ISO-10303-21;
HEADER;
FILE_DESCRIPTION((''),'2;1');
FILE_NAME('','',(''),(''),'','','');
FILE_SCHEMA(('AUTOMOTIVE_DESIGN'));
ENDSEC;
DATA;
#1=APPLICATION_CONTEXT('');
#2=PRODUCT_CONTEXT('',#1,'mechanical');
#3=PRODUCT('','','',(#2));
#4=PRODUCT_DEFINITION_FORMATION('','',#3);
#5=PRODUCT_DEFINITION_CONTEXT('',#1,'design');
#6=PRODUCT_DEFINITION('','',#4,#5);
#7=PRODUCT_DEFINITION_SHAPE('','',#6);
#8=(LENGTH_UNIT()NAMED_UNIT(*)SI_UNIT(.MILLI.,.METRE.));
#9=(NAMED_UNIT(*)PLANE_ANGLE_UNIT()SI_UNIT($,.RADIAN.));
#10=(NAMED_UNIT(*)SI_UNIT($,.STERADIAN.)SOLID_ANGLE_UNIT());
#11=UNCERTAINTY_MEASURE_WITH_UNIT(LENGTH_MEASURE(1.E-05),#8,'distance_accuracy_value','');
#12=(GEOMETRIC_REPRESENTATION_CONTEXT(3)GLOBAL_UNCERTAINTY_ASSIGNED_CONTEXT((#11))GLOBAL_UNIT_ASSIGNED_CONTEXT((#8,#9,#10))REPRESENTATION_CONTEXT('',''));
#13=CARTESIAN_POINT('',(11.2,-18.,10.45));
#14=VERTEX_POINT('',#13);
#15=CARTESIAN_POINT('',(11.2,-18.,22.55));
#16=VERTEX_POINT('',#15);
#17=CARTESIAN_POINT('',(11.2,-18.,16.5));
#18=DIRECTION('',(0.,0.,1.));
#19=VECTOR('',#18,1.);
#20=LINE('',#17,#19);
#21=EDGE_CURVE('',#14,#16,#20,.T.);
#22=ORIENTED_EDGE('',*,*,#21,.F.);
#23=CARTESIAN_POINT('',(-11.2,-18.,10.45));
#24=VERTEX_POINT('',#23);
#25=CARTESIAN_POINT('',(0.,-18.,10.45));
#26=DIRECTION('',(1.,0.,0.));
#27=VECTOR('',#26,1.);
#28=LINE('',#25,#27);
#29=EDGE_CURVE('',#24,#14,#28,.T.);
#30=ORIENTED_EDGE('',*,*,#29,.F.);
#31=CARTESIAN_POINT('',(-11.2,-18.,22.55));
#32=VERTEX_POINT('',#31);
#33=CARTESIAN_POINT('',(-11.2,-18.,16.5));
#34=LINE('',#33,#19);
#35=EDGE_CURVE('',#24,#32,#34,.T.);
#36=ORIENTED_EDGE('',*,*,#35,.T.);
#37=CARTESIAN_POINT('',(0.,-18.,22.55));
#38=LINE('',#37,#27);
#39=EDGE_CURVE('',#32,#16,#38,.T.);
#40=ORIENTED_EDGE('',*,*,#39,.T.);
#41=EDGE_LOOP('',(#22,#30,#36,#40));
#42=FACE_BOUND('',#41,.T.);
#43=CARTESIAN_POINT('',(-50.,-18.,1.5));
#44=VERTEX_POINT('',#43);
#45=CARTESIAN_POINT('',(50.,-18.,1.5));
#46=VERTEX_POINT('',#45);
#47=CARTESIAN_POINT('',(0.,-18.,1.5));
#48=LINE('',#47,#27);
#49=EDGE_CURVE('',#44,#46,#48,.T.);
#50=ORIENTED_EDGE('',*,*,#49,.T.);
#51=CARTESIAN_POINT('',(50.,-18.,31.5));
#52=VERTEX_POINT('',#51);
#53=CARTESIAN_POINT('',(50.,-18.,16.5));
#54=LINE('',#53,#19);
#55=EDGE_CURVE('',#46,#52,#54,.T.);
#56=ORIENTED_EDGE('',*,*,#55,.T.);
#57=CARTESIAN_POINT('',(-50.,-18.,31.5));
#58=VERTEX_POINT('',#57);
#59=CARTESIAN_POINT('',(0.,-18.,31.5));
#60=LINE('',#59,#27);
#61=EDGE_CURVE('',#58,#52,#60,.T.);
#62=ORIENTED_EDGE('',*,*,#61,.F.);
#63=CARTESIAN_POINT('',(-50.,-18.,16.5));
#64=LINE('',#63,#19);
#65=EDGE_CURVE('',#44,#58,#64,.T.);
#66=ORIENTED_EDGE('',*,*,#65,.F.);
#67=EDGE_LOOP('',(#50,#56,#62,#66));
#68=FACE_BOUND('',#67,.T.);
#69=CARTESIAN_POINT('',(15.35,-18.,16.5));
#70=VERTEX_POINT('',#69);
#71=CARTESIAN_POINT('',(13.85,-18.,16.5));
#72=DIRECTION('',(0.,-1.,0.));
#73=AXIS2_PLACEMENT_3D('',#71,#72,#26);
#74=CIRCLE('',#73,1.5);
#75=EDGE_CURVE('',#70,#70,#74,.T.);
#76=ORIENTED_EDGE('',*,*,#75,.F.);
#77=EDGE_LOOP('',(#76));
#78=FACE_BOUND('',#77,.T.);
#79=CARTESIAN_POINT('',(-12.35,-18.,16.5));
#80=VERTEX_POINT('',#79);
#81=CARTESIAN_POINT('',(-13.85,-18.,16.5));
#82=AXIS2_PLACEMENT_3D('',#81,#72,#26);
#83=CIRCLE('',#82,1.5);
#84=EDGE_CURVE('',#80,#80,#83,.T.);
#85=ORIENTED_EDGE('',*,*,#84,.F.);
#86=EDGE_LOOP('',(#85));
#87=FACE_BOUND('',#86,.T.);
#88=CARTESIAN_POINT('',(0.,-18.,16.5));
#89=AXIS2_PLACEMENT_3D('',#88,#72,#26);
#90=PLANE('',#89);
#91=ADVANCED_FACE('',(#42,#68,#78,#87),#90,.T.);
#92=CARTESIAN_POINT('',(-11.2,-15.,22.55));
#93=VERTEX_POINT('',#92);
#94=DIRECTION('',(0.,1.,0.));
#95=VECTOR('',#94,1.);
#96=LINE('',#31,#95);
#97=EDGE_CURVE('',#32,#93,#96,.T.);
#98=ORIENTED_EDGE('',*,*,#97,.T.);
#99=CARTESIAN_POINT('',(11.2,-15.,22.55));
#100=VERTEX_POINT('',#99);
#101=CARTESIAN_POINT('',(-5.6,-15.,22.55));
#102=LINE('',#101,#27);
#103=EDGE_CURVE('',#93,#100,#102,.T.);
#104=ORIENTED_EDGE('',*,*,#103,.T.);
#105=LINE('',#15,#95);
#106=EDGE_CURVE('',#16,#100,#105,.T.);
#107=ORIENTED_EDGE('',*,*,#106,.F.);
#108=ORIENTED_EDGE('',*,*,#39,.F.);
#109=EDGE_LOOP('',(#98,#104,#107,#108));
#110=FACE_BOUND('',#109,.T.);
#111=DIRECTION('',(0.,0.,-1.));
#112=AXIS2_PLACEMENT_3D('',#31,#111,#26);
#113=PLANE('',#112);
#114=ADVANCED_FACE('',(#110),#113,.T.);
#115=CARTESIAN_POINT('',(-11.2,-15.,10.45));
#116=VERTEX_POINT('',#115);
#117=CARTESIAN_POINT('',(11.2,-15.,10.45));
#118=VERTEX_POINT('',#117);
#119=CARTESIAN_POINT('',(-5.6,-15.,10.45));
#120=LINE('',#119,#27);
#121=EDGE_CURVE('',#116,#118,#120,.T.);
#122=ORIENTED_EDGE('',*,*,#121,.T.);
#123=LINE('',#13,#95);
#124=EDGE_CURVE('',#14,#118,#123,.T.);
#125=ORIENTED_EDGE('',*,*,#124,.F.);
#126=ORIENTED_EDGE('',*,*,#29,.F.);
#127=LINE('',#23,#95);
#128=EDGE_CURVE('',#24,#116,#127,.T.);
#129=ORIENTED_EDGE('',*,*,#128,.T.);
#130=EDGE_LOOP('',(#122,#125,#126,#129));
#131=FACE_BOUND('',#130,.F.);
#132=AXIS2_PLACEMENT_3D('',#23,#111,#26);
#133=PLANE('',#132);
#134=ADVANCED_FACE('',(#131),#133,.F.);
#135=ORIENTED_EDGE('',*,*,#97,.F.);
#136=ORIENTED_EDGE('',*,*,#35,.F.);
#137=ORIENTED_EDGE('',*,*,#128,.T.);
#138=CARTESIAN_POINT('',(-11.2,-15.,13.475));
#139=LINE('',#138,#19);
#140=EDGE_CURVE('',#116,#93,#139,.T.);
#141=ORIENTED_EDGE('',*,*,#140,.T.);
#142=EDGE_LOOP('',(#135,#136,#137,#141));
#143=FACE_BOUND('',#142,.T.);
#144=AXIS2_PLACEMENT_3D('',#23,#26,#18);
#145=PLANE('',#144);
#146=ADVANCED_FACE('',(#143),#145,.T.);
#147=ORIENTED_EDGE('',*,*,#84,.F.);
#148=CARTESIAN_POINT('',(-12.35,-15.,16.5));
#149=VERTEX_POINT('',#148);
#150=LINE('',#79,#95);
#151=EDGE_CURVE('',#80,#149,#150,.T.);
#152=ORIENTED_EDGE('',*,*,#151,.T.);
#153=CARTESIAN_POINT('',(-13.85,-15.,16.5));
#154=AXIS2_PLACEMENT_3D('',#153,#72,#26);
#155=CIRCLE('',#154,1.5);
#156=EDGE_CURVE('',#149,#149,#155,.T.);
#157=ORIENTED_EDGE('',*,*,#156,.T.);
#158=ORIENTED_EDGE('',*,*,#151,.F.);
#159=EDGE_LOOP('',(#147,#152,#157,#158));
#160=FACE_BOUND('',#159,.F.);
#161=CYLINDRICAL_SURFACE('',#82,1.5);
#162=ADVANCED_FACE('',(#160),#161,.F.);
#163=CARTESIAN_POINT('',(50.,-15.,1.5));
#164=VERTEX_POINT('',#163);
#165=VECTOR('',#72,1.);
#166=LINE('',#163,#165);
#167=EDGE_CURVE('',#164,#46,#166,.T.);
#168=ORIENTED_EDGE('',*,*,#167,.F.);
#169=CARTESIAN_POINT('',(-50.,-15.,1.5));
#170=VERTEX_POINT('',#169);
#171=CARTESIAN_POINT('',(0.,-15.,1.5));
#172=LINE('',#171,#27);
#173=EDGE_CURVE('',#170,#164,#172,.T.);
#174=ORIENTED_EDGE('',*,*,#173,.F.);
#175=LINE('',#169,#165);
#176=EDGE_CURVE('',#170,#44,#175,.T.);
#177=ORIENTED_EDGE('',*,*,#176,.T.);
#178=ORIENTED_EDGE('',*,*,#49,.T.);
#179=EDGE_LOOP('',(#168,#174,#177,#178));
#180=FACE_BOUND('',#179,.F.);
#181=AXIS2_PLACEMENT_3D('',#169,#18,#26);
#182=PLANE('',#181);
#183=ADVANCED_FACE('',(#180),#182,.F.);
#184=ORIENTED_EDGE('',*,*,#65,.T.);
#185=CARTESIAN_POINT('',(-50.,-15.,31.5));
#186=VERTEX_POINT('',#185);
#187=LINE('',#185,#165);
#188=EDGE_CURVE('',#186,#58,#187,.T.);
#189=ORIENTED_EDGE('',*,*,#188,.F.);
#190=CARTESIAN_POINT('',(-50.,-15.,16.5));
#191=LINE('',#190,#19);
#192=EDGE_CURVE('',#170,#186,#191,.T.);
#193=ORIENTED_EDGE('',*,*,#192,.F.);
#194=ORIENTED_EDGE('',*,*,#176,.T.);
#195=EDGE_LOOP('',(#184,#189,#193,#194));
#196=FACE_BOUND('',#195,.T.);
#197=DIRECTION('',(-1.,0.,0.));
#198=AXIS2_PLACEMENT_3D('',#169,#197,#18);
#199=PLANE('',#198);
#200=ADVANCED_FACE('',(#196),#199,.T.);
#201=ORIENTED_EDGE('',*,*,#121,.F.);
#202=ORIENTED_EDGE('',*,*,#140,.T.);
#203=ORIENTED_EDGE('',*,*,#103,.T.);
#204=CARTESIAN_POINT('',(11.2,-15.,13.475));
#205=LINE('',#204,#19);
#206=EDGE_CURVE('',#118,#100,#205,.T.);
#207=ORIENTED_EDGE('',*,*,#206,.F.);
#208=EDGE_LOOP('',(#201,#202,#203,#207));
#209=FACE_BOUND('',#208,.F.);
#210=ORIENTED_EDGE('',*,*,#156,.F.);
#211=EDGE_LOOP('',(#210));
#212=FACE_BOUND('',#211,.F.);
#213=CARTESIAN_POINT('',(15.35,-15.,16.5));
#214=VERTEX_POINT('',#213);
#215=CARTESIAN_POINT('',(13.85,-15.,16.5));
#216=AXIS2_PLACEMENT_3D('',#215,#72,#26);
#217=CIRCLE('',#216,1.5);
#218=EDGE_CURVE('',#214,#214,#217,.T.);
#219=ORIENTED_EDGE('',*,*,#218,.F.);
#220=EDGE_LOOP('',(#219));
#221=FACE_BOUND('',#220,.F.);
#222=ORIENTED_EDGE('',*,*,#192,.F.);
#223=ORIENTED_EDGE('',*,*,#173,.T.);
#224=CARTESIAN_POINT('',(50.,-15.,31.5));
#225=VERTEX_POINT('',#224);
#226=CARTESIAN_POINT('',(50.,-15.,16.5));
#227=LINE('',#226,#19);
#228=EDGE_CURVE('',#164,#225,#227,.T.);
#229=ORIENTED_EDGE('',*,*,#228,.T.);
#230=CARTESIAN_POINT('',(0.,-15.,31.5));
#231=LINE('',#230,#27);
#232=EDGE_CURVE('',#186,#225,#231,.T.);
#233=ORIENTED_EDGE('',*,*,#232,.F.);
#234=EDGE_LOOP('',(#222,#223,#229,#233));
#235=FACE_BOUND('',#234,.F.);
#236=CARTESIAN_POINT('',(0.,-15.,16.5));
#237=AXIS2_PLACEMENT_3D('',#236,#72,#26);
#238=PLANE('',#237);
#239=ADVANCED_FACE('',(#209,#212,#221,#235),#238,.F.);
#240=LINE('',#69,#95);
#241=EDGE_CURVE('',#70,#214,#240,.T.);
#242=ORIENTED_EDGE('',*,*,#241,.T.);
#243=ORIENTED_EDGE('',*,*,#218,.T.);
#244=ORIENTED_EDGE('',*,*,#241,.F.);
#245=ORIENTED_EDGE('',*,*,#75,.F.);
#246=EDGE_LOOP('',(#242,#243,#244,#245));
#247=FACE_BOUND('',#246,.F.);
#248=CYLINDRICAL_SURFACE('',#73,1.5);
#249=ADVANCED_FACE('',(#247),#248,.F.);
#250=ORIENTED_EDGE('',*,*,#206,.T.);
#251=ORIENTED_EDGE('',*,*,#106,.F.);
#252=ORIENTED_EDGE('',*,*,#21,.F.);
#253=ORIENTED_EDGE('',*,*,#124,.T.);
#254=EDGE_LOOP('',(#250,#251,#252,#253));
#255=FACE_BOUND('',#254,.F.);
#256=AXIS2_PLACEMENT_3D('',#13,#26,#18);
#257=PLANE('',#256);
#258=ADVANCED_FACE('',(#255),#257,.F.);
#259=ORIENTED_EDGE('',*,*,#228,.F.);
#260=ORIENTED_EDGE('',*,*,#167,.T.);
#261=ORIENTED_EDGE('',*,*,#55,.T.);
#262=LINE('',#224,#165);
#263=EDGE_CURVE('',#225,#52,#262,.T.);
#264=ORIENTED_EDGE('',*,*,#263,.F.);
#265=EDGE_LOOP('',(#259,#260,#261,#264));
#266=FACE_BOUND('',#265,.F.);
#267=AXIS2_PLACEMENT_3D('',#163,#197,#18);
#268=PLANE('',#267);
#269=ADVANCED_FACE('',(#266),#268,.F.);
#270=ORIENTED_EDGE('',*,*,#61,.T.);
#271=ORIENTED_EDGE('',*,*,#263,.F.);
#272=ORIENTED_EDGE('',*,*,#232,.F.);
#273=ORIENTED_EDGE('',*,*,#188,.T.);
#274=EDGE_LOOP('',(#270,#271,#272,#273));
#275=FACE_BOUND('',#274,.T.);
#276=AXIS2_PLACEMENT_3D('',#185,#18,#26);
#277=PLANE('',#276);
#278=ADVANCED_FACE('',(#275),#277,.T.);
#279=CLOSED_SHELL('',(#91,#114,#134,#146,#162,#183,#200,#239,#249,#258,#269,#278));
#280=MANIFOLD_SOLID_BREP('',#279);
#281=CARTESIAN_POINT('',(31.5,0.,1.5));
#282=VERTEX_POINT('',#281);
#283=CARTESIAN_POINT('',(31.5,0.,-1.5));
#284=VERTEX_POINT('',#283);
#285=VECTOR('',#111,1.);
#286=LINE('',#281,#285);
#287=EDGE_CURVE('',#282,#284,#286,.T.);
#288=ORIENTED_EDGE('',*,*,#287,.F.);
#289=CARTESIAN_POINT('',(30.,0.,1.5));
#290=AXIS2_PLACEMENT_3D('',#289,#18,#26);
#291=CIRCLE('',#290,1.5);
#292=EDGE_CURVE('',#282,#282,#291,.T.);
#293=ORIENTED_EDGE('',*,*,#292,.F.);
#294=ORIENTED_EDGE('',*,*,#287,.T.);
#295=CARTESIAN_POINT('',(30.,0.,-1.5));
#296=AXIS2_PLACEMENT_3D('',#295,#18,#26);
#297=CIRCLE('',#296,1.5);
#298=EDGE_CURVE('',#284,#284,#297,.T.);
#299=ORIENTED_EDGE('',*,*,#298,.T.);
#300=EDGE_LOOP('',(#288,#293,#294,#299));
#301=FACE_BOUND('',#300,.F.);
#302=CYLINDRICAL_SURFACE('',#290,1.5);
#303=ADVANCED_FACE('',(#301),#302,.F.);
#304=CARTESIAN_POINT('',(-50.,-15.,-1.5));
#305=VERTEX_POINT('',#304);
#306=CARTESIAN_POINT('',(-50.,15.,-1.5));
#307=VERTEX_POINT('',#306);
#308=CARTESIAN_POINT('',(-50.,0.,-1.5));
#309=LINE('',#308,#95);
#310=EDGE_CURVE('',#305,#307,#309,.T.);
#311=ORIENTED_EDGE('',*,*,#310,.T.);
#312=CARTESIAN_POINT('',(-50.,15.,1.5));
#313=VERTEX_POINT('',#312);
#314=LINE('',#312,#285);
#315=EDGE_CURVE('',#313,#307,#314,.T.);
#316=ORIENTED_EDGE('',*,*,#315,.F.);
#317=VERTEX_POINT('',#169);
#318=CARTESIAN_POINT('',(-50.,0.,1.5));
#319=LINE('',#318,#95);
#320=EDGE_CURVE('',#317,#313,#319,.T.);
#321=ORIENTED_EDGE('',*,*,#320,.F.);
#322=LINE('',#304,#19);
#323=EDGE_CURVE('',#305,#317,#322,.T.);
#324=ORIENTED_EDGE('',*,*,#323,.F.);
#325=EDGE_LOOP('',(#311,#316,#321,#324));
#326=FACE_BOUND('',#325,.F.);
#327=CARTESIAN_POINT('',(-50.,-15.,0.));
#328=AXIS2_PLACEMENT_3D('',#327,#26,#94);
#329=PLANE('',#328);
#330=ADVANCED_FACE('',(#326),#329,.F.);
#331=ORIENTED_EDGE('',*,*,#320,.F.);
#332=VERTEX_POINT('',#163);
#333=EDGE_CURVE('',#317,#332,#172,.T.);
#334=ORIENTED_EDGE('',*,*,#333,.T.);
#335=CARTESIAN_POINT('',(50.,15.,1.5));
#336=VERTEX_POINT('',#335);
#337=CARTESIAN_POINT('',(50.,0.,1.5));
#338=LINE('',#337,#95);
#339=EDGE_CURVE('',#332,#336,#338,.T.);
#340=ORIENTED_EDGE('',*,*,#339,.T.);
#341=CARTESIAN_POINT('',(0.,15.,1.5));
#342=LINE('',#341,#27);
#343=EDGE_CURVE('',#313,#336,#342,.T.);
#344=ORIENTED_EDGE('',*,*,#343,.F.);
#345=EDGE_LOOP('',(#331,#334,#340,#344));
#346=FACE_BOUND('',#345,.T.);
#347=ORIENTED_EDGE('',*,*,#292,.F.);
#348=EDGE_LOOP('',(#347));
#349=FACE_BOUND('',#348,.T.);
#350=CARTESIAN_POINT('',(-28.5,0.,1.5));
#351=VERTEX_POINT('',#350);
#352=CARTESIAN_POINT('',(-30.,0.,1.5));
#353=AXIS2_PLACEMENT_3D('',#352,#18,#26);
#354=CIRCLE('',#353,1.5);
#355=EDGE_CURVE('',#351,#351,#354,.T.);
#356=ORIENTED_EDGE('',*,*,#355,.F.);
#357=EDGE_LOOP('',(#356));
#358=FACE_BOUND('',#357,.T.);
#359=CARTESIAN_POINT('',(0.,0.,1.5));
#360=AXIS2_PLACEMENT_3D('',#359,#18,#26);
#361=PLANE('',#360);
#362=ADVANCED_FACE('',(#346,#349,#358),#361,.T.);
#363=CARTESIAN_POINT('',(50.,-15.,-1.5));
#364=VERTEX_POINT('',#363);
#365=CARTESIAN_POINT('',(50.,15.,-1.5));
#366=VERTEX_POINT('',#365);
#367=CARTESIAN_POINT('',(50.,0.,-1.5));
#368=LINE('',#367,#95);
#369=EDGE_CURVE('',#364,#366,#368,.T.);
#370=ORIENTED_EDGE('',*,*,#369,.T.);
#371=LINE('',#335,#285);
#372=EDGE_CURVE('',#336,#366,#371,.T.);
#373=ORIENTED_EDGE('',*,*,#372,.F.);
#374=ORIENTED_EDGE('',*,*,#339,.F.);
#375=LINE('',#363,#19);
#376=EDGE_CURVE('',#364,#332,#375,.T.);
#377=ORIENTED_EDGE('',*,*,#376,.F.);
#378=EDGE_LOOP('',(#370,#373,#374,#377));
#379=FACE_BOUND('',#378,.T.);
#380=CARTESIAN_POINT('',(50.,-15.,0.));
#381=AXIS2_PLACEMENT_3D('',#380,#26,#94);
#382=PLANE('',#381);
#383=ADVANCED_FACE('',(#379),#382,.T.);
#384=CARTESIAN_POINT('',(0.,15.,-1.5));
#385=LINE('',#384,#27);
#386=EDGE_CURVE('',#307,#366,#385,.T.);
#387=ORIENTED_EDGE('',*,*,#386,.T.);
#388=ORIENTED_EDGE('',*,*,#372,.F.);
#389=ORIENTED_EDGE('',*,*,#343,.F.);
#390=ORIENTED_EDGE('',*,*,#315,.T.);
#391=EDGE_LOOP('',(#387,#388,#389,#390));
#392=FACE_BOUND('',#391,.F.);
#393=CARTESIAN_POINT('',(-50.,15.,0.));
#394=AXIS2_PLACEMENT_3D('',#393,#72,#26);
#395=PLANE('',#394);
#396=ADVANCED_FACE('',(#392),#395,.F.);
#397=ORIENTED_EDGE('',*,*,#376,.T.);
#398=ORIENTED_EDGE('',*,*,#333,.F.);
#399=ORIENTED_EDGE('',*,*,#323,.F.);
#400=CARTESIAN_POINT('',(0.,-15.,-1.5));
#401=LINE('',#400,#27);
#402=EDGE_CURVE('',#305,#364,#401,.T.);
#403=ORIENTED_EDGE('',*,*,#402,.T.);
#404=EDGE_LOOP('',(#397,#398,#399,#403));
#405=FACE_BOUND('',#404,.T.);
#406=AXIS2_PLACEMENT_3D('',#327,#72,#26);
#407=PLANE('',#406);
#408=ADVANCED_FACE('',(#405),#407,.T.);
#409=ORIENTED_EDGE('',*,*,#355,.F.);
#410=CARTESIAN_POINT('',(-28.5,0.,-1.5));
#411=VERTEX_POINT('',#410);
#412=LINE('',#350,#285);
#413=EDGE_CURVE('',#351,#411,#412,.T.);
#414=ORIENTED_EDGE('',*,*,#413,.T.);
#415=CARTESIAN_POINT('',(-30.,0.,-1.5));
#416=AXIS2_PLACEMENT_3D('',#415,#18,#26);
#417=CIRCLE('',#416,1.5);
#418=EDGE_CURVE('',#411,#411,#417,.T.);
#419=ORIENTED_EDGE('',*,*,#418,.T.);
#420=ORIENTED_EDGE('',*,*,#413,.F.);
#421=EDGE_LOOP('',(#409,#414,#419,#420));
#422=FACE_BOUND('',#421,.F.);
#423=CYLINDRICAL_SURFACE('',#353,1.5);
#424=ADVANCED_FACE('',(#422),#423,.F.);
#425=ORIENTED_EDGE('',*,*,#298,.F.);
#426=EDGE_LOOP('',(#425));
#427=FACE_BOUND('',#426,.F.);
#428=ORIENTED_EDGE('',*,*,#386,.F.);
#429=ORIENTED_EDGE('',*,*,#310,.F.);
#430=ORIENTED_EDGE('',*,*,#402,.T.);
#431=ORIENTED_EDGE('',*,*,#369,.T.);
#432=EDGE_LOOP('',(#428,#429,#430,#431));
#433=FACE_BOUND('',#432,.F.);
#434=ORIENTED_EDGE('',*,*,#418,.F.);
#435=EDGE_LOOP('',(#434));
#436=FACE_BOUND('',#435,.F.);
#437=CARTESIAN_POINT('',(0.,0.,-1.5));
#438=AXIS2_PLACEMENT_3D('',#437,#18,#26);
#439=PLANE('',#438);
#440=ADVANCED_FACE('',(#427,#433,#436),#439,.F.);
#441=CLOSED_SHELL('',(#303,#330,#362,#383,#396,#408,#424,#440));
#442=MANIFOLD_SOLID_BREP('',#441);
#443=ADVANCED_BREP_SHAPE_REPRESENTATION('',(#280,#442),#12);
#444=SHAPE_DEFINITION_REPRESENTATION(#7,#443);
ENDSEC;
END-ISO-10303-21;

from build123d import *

# Parameters (mm, degrees)
F0_W     = 100
F0_H     = 30
F1_DEPTH = 1.5
F2_W     = 100
F2_H     = 30
F3_DEPTH = 3
F4_R     = 1.5
F4_W     = 22.4
F4_H     = 12.1
F5_DEPTH = 33.001
F6_R     = 1.5
F7_DEPTH = 3.001


with BuildPart() as f1:
    # F0 (on Top) → F1 (new body, symmetric)
    with BuildSketch(Plane.XY):
        Rectangle(F0_W, F0_H)
    extrude(amount=F1_DEPTH, both=True)

    # F6 (on face) → F7 (cut, through all)
    with BuildSketch(Plane.XY.offset(1.5)):
        with Locations((30, 0)):
            Circle(F6_R)
        with Locations((-30, 0)):
            Circle(F6_R)
    extrude(amount=-F7_DEPTH, mode=Mode.SUBTRACT)


with BuildPart() as f3:
    # F2 (on face) → F3 (new body)
    with BuildSketch(Plane.XZ.offset(15)):
        with Locations((0, 16.5)):
            Rectangle(F2_W, F2_H)
    extrude(amount=F3_DEPTH)

    # F4 (on face) → F5 (cut, through all)
    with BuildSketch(Plane.XZ.offset(18)):
        with Locations((-13.85, 16.5)):
            Circle(F4_R)
        with Locations((13.85, 16.5)):
            Circle(F4_R)
        with Locations((0, 16.5)):
            Rectangle(F4_W, F4_H)
    extrude(amount=-F5_DEPTH, mode=Mode.SUBTRACT)


solid = Compound([f1.part, f3.part])
